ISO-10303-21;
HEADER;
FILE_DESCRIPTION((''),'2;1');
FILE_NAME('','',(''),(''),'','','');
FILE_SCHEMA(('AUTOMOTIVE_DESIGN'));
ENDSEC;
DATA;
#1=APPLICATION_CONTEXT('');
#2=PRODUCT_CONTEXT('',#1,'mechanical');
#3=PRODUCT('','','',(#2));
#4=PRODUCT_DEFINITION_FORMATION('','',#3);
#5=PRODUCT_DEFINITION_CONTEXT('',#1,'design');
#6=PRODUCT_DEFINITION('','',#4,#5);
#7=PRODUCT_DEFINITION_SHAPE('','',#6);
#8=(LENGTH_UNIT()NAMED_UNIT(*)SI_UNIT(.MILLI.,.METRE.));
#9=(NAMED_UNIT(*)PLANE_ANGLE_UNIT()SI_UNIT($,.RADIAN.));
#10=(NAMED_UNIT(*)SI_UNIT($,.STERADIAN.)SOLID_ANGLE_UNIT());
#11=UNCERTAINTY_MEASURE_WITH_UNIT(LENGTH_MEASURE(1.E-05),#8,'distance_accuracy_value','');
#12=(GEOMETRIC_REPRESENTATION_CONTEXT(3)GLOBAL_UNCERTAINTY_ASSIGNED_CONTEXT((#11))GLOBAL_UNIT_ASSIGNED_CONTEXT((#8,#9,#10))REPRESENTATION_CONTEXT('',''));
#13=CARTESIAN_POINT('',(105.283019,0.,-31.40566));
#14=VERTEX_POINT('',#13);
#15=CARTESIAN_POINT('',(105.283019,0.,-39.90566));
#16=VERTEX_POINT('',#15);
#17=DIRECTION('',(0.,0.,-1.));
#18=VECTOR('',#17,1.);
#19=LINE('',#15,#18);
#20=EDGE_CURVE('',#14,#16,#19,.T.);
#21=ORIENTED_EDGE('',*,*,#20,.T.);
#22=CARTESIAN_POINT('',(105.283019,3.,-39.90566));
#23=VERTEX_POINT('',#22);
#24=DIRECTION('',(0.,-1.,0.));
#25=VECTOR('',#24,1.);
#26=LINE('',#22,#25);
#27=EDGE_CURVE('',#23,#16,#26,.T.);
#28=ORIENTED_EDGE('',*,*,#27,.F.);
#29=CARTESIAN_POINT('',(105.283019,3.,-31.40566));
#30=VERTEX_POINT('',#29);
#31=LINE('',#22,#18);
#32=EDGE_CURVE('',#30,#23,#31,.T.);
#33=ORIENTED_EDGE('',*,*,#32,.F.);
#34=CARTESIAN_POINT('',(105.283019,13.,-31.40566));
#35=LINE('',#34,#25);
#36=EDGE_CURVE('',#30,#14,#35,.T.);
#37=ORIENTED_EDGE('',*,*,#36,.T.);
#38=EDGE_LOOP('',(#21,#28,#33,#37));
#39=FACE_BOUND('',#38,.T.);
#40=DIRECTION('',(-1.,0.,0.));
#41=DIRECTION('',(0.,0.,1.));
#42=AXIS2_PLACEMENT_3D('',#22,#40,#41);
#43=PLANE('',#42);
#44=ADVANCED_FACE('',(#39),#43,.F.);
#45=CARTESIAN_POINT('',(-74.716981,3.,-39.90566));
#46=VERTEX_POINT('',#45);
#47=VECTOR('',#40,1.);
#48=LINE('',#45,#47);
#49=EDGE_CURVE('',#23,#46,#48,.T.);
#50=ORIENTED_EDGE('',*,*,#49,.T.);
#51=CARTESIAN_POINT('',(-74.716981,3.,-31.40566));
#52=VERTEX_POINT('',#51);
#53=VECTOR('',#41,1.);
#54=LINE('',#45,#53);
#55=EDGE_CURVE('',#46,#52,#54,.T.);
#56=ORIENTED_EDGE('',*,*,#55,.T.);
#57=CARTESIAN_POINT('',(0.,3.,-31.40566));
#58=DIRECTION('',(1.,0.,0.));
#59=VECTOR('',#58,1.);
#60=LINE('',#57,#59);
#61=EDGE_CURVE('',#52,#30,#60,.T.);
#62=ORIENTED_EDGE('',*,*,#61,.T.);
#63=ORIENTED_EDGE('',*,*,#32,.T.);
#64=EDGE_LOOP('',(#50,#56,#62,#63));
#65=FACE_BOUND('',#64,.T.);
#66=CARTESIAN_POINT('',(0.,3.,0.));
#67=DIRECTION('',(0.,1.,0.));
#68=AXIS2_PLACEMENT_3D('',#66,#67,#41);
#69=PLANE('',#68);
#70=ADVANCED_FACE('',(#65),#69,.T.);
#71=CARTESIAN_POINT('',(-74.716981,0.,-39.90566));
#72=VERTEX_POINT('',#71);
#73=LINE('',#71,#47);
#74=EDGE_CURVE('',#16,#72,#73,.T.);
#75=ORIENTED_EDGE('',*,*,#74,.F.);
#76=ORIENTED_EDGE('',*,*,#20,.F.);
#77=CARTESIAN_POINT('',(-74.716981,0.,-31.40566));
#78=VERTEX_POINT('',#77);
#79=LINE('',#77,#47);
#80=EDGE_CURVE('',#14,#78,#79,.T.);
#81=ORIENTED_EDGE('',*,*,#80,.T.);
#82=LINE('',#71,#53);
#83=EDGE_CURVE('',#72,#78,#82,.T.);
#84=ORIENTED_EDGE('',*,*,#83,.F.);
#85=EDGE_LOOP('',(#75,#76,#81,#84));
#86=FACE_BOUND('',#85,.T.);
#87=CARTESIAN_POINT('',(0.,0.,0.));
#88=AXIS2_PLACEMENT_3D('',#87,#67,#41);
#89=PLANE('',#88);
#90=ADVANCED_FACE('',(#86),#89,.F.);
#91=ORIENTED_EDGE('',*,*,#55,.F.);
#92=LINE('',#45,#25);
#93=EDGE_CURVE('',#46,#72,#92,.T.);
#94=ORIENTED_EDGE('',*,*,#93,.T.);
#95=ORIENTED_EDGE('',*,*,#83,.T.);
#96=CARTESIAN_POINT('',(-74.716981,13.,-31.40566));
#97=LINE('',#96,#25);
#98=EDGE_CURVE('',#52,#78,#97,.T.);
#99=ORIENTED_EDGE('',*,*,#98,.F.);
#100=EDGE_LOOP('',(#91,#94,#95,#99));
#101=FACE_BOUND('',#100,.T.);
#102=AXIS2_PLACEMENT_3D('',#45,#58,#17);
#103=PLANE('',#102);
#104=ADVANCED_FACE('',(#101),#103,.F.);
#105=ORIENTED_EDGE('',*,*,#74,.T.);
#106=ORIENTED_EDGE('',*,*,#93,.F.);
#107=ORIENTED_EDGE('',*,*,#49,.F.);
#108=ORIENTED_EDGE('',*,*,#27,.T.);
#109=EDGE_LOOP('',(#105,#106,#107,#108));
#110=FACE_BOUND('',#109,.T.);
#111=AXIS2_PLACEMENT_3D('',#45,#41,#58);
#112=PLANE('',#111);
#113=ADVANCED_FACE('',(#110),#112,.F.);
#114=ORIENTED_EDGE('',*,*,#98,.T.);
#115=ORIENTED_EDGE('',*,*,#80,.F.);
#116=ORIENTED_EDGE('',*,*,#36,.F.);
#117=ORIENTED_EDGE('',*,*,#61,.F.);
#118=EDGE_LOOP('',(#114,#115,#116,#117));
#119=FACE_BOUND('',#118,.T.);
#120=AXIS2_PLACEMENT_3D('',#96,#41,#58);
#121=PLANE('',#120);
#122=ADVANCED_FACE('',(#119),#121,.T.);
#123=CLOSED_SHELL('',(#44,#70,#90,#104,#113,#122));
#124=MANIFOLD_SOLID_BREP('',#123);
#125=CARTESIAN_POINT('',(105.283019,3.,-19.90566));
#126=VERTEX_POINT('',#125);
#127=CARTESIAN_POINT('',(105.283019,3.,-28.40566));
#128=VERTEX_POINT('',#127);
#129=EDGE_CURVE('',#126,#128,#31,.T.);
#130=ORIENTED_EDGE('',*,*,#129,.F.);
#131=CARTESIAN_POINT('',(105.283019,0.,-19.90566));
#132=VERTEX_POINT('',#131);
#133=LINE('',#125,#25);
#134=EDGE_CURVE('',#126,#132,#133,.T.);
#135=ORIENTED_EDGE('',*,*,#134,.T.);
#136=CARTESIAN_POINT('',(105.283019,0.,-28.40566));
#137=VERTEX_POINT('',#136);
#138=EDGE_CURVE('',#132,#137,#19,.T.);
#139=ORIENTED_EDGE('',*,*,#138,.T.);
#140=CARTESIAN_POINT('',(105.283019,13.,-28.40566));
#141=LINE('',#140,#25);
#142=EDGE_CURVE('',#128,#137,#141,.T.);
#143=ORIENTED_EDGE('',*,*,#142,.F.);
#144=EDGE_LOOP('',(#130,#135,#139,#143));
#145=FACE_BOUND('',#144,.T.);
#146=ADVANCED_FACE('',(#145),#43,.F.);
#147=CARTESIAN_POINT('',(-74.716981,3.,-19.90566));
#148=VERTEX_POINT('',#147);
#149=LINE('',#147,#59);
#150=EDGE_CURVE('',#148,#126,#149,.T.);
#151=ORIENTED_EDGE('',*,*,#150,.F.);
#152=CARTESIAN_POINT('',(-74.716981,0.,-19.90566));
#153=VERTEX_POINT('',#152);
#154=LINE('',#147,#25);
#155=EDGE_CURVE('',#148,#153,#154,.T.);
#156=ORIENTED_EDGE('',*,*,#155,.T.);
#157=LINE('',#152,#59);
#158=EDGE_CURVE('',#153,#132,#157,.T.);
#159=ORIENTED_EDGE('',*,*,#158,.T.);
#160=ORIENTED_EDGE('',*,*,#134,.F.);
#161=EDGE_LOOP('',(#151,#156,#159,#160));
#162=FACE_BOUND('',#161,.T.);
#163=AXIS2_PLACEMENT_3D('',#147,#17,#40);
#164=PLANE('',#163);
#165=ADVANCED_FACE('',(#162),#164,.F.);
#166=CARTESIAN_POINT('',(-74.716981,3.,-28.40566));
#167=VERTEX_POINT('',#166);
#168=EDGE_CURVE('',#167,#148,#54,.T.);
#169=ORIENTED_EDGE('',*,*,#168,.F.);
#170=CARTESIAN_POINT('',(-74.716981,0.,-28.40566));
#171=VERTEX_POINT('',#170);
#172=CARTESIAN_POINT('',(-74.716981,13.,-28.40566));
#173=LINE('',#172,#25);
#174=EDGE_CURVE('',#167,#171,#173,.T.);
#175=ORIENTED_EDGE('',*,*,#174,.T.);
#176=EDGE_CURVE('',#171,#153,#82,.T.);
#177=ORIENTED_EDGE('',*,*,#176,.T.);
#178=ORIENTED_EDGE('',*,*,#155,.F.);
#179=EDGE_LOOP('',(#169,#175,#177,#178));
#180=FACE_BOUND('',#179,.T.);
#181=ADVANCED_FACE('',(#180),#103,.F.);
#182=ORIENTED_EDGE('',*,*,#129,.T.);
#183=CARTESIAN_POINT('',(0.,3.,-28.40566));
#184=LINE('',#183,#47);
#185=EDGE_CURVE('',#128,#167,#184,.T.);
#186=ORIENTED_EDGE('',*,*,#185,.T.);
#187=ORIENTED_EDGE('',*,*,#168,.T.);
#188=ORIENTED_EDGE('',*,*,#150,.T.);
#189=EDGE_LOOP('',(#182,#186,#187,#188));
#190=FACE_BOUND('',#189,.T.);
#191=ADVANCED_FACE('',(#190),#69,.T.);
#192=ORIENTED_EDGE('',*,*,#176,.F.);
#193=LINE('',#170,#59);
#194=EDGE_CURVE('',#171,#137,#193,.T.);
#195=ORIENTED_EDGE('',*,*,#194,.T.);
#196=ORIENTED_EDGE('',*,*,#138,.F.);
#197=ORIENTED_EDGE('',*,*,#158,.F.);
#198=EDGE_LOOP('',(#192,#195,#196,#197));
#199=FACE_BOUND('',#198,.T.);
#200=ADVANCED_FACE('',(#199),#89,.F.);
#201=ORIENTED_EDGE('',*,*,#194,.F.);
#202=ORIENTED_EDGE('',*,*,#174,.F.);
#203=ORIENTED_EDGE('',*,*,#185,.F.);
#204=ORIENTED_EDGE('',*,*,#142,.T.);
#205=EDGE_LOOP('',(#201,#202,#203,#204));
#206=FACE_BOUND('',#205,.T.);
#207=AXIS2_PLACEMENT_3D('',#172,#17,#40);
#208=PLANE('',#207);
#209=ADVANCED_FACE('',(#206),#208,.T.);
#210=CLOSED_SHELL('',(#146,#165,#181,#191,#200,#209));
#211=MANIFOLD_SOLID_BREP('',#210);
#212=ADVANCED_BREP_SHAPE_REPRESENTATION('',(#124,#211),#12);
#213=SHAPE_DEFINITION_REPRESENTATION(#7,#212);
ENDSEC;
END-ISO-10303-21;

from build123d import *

# Parameters (mm, degrees)
SKETCH1_W               = 180
SKETCH1_H               = 20
BOSS_EXTRUDE1_DEPTH     = 3
SKETCH2_W               = 180
SKETCH2_H               = 3
CUT_EXTRUDE1_DEPTH      = 10
CUT_EXTRUDE1_DEPTH_BACK = 4


with BuildPart() as part:
    # Sketch1 → Boss-Extrude1 (new body)
    with BuildSketch(Plane(origin=(0, 0, 0), x_dir=(1, 0, 0), z_dir=(0, 1, 0))):
        with Locations((15.283018868, 29.905660377)):
            Rectangle(SKETCH1_W, SKETCH1_H)
    extrude(amount=BOSS_EXTRUDE1_DEPTH)

    # Sketch2 → Cut-Extrude1 (cut, two sides)
    with BuildSketch(Plane(origin=(0, 3, 0), x_dir=(1, 0, 0), z_dir=(0, 1, 0))) as cut_extrude1_sk:
        with Locations((15.283018868, 29.905660377)):
            Rectangle(SKETCH2_W, SKETCH2_H)
    extrude(amount=CUT_EXTRUDE1_DEPTH, mode=Mode.SUBTRACT)
    extrude(cut_extrude1_sk.sketch, amount=-CUT_EXTRUDE1_DEPTH_BACK, mode=Mode.SUBTRACT)


solid = part.part
